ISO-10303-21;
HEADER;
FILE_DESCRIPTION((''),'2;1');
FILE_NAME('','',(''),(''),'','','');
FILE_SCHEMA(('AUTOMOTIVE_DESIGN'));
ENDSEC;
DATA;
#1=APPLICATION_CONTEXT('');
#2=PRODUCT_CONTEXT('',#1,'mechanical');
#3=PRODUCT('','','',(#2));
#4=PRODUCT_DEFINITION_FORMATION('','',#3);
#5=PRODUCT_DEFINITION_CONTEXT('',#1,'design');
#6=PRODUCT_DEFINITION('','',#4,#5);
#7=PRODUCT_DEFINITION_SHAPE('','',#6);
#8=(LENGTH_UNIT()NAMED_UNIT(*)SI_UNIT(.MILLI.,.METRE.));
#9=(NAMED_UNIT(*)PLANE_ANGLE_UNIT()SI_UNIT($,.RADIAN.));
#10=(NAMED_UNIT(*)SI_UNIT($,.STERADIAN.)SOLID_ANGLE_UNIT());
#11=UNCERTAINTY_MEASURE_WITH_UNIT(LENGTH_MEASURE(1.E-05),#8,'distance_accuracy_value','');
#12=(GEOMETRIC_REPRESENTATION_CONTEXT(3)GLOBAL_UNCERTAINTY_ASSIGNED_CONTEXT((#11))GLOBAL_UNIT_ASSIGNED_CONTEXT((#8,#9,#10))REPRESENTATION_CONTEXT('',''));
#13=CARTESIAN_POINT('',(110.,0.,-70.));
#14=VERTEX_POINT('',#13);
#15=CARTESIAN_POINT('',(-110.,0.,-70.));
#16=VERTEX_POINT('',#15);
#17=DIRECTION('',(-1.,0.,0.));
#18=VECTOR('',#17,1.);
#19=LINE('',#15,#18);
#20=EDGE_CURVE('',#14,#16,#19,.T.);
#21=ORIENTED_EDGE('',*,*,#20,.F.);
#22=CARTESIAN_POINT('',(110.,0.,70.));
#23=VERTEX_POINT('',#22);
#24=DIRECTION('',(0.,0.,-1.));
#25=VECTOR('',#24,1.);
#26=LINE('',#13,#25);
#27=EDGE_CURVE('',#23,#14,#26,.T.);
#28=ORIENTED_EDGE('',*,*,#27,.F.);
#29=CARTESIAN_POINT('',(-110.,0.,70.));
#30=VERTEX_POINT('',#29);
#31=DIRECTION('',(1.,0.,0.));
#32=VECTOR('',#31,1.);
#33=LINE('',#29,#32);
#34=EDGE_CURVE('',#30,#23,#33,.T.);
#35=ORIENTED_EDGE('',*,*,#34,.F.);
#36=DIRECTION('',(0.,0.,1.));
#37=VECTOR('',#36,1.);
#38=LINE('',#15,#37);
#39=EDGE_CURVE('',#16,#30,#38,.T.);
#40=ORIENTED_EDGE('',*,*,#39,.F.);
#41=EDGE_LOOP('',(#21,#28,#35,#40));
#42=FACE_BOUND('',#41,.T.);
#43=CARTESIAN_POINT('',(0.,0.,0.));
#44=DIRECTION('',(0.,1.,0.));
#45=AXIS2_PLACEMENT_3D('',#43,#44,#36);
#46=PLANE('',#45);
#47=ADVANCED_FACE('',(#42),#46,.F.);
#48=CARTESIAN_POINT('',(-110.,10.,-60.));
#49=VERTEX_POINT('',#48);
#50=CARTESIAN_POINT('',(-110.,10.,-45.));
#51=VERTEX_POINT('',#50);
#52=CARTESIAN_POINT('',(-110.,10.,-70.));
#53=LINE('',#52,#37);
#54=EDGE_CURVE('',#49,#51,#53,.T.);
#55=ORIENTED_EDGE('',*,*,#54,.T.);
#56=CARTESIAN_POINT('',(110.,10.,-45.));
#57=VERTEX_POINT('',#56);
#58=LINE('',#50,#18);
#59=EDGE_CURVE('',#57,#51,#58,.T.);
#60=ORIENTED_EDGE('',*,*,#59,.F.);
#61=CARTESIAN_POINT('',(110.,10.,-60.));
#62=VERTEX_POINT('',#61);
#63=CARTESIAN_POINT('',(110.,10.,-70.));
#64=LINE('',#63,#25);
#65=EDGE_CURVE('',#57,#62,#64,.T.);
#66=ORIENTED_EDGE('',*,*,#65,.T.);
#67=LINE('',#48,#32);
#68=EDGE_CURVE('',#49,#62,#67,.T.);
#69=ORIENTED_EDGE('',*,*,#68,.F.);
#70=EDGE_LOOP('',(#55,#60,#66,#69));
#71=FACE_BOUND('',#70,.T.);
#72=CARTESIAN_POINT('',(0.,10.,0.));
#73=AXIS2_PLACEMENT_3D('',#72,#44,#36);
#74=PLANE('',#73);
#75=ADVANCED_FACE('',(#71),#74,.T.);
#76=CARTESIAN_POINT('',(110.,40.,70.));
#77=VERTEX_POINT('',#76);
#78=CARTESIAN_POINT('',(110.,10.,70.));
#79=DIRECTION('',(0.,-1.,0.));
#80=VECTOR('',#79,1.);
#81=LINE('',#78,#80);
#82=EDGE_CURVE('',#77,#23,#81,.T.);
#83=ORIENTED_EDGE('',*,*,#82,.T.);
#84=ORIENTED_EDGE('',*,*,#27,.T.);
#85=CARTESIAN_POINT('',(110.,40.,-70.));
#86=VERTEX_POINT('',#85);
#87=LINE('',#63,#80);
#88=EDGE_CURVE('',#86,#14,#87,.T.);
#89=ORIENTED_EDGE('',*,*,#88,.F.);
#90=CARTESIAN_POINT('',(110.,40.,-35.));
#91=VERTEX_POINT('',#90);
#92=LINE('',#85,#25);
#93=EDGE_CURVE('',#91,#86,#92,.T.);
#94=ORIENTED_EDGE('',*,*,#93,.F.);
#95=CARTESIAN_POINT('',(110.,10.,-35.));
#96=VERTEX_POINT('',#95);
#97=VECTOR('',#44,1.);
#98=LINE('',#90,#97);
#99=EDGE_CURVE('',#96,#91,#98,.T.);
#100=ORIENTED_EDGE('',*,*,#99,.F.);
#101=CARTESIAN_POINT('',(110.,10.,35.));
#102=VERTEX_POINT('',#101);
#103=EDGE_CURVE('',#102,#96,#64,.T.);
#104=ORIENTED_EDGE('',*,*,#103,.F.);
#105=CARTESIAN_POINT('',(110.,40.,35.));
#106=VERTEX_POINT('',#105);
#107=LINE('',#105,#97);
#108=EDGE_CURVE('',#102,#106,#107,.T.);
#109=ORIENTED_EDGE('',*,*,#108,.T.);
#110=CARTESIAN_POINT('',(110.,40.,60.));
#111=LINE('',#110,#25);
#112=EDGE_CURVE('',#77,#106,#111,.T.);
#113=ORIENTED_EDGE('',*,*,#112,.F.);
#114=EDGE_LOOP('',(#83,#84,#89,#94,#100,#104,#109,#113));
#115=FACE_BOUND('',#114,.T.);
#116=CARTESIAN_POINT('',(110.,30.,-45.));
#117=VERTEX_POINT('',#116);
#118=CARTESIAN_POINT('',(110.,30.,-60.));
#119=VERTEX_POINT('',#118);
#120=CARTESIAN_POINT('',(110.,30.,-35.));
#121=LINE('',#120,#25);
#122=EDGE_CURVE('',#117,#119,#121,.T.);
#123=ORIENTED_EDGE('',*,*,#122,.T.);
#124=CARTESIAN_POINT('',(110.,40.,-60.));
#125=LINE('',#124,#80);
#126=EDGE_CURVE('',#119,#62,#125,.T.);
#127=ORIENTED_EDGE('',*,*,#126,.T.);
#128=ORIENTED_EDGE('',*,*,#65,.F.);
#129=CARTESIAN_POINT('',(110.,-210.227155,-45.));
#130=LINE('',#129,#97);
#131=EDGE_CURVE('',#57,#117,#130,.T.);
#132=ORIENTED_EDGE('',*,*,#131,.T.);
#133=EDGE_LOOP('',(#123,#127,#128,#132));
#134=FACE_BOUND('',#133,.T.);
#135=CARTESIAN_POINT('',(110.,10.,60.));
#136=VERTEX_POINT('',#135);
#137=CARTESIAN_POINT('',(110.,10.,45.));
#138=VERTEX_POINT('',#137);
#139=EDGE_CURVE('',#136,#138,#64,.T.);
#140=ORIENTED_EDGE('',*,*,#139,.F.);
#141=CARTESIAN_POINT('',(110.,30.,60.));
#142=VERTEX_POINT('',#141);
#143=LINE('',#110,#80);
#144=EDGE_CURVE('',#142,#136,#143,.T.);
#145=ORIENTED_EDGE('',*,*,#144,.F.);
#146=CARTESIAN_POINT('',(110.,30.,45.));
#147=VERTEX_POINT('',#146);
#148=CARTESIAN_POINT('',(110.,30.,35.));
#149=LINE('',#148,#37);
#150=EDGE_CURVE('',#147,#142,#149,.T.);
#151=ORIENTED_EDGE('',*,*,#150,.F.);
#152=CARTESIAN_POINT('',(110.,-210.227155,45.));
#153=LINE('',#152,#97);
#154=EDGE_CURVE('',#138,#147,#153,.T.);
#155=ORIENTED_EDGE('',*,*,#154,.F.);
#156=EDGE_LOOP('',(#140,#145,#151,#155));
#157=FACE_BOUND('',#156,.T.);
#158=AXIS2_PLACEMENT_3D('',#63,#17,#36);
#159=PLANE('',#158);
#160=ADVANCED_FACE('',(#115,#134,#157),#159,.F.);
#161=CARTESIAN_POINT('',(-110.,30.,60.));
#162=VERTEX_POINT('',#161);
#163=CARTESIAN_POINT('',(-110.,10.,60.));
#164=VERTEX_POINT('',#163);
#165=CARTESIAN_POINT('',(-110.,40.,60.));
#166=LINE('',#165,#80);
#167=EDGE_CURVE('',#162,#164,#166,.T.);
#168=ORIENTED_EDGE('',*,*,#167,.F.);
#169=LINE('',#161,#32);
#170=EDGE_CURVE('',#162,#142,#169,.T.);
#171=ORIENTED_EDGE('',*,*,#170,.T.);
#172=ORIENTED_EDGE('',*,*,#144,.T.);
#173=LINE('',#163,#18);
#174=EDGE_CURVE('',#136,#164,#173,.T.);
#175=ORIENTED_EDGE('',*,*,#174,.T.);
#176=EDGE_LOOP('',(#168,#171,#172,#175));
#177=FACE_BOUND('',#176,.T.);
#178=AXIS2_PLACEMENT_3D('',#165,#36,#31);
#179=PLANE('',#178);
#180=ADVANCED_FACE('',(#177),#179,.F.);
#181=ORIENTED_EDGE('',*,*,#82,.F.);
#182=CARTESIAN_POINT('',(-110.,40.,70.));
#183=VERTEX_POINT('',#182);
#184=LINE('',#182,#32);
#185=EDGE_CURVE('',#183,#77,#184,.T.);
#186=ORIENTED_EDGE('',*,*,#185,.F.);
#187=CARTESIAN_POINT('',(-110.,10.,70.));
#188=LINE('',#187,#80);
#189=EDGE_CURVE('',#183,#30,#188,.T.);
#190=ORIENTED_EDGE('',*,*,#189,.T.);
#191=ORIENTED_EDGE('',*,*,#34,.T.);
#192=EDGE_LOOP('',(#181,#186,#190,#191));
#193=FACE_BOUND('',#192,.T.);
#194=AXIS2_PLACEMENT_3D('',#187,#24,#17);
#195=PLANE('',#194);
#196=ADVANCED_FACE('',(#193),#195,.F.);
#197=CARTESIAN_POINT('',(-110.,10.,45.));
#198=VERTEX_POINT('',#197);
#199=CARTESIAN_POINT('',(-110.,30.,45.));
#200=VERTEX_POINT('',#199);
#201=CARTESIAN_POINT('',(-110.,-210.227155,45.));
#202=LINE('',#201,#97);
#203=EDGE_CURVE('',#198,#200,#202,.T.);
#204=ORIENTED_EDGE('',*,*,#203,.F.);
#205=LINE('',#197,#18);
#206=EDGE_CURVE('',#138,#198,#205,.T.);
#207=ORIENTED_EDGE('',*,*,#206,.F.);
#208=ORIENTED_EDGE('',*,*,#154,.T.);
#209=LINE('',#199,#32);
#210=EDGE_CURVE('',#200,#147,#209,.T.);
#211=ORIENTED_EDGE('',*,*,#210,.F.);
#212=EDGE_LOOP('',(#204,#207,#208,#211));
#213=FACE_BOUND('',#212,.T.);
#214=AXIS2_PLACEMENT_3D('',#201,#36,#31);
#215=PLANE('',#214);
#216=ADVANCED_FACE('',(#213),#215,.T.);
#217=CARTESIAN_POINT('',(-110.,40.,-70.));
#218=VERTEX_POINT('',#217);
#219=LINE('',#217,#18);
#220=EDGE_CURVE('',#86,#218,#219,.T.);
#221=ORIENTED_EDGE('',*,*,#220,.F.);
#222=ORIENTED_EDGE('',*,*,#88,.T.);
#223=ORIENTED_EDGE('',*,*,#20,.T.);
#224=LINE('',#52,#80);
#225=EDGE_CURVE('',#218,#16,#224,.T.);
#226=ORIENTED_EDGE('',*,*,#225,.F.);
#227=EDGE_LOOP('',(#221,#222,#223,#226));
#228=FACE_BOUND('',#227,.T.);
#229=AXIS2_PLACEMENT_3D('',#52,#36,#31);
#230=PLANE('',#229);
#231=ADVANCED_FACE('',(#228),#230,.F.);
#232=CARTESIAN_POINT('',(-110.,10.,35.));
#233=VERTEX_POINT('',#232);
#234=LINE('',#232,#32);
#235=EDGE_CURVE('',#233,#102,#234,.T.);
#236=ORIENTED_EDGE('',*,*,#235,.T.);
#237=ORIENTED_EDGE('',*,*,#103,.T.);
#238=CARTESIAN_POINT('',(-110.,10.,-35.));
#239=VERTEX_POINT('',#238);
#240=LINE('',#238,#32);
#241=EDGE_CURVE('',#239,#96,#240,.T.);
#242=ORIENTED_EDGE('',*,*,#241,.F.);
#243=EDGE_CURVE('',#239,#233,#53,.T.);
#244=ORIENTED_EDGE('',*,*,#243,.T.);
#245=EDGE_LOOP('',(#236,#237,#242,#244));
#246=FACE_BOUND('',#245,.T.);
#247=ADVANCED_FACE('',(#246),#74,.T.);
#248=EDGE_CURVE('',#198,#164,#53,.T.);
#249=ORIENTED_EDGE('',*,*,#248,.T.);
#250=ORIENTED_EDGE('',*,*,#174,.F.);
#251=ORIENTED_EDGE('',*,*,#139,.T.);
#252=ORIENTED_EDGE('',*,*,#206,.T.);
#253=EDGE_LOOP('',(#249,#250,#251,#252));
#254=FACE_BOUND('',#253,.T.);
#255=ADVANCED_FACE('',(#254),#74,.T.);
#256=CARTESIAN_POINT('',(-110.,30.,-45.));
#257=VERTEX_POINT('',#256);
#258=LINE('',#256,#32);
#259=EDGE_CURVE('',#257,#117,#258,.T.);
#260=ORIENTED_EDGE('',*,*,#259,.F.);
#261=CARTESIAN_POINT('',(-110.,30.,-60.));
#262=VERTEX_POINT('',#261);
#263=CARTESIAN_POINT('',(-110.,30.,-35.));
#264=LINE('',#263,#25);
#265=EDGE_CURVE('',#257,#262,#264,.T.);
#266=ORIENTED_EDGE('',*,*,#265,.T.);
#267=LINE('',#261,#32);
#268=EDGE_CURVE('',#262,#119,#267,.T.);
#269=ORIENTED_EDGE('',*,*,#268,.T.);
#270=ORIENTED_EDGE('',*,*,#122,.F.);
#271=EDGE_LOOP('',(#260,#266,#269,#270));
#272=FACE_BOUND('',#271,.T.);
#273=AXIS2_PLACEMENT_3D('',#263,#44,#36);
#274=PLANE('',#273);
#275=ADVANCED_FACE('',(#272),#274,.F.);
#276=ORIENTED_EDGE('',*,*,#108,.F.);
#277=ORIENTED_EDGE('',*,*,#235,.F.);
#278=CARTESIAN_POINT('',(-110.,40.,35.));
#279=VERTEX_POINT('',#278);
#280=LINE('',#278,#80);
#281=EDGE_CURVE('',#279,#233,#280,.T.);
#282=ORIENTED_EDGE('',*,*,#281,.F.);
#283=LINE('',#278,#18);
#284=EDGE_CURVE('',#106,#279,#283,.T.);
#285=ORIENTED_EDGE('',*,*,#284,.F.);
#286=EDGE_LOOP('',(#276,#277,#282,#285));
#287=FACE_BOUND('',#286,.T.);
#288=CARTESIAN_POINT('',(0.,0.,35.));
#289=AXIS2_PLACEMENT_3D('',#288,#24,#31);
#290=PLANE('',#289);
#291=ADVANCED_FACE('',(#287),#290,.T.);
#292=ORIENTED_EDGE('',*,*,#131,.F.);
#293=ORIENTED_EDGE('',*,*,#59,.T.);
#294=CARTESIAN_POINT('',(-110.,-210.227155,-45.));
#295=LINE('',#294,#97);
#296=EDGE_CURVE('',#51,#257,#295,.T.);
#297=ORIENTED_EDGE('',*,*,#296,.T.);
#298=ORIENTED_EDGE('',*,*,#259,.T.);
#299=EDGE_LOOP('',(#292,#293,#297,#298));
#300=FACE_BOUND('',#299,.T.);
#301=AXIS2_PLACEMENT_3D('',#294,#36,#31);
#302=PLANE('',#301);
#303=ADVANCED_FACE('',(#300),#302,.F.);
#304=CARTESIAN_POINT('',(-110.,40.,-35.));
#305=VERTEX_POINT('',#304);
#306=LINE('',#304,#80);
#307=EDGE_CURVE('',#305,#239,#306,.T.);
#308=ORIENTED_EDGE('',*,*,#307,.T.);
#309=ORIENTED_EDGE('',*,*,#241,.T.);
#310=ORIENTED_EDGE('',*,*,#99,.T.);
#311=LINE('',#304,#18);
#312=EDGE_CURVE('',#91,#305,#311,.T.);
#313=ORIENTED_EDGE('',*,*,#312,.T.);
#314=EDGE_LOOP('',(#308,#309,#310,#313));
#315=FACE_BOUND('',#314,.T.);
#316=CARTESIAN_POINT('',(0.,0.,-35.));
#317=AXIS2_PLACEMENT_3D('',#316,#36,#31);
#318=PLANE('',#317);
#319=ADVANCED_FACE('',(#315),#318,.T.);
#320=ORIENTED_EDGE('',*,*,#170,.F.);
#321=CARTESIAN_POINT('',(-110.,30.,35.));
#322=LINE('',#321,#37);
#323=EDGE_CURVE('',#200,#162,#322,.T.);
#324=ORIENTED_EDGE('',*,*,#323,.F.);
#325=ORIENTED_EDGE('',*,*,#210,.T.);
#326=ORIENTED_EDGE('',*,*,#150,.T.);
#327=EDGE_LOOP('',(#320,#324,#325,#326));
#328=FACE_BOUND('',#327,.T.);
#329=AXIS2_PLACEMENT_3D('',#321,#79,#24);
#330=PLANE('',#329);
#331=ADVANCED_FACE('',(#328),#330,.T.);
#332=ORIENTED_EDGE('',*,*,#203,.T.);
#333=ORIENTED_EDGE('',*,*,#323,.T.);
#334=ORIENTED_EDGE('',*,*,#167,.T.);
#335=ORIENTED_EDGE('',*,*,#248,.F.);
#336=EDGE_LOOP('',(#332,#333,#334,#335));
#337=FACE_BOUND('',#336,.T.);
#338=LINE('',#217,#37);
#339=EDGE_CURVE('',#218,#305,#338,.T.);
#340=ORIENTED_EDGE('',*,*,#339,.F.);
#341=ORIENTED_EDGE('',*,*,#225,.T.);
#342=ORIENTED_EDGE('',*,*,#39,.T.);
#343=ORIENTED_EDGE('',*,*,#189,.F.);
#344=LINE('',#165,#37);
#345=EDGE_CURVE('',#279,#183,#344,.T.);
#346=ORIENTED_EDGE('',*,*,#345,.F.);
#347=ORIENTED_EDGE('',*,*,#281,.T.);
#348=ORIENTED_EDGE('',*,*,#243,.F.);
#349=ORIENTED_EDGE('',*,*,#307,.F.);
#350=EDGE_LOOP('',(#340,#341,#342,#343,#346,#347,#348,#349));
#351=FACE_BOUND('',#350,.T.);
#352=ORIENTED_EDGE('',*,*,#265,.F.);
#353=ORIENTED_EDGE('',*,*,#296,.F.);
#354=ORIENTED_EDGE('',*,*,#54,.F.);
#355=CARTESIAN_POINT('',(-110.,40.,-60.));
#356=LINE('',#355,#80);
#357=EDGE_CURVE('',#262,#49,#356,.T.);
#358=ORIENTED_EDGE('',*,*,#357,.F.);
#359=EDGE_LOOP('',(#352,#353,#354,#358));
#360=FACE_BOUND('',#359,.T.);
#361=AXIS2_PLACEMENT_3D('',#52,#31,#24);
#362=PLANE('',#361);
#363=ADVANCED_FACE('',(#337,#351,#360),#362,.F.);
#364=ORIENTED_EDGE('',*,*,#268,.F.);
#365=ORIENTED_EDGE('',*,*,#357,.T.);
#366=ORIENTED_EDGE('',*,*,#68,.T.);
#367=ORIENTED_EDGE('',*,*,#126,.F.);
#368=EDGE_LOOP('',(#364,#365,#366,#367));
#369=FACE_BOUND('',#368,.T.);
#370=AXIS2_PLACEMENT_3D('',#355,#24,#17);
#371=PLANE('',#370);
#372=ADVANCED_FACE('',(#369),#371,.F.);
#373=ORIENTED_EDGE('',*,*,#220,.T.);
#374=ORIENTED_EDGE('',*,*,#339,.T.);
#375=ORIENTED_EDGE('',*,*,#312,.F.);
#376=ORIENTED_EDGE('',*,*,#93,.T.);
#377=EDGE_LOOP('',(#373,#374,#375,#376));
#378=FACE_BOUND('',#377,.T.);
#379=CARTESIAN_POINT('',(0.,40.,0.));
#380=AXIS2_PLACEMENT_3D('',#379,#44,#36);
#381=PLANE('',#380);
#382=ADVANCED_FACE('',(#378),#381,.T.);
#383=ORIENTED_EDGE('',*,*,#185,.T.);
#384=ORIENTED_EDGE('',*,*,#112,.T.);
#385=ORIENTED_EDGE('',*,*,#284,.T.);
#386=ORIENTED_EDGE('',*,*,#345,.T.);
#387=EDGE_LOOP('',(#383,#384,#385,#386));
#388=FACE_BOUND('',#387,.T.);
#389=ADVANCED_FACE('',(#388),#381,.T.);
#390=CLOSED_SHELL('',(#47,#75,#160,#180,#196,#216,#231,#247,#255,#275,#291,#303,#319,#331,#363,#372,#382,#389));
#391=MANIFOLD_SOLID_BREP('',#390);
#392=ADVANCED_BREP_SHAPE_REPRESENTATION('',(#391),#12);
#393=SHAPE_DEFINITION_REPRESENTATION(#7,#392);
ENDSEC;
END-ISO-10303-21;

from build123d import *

# Parameters (mm, degrees)
SKETCH1_W           = 220
SKETCH1_H           = 140
BOSS_EXTRUDE1_DEPTH = 10
SKETCH2_W           = 220
SKETCH2_H           = 10
BOSS_EXTRUDE2_DEPTH = 30
SKETCH3_W           = 220
SKETCH3_H           = 10
BOSS_EXTRUDE3_DEPTH = 25
SKETCH4_W           = 220
SKETCH4_H           = 10
BOSS_EXTRUDE4_DEPTH = 20


with BuildPart() as part:
    # Sketch1 → Boss-Extrude1 (new body)
    with BuildSketch(Plane(origin=(0, 0, 0), x_dir=(1, 0, 0), z_dir=(0, 1, 0))):
        Rectangle(SKETCH1_W, SKETCH1_H)
    extrude(amount=BOSS_EXTRUDE1_DEPTH)

    # Sketch2 → Boss-Extrude2 (add)
    with BuildSketch(Plane(origin=(0, 10, 0), x_dir=(1, 0, 0), z_dir=(0, 1, 0))):
        with Locations((0, 65)):
            Rectangle(SKETCH2_W, SKETCH2_H)
        with Locations((0, -65)):
            Rectangle(SKETCH2_W, SKETCH2_H)
    extrude(amount=BOSS_EXTRUDE2_DEPTH)

    # Sketch3 → Boss-Extrude3 (add)
    with BuildSketch(Plane.XY.offset(-60)):
        with Locations((0, 35)):
            Rectangle(SKETCH3_W, SKETCH3_H)
    boss_extrude3 = extrude(amount=BOSS_EXTRUDE3_DEPTH)

    # Mirror1: Boss-Extrude3 across plane
    add(boss_extrude3.mirror(Plane.XY))

    # Sketch4 → Boss-Extrude4 (add)
    with BuildSketch(Plane.XZ.offset(-30)):
        with Locations((0, -40)):
            Rectangle(SKETCH4_W, SKETCH4_H)
    boss_extrude4 = extrude(amount=BOSS_EXTRUDE4_DEPTH)

    # Mirror2: Boss-Extrude4 across plane
    add(boss_extrude4.mirror(Plane.XY))


solid = part.part
